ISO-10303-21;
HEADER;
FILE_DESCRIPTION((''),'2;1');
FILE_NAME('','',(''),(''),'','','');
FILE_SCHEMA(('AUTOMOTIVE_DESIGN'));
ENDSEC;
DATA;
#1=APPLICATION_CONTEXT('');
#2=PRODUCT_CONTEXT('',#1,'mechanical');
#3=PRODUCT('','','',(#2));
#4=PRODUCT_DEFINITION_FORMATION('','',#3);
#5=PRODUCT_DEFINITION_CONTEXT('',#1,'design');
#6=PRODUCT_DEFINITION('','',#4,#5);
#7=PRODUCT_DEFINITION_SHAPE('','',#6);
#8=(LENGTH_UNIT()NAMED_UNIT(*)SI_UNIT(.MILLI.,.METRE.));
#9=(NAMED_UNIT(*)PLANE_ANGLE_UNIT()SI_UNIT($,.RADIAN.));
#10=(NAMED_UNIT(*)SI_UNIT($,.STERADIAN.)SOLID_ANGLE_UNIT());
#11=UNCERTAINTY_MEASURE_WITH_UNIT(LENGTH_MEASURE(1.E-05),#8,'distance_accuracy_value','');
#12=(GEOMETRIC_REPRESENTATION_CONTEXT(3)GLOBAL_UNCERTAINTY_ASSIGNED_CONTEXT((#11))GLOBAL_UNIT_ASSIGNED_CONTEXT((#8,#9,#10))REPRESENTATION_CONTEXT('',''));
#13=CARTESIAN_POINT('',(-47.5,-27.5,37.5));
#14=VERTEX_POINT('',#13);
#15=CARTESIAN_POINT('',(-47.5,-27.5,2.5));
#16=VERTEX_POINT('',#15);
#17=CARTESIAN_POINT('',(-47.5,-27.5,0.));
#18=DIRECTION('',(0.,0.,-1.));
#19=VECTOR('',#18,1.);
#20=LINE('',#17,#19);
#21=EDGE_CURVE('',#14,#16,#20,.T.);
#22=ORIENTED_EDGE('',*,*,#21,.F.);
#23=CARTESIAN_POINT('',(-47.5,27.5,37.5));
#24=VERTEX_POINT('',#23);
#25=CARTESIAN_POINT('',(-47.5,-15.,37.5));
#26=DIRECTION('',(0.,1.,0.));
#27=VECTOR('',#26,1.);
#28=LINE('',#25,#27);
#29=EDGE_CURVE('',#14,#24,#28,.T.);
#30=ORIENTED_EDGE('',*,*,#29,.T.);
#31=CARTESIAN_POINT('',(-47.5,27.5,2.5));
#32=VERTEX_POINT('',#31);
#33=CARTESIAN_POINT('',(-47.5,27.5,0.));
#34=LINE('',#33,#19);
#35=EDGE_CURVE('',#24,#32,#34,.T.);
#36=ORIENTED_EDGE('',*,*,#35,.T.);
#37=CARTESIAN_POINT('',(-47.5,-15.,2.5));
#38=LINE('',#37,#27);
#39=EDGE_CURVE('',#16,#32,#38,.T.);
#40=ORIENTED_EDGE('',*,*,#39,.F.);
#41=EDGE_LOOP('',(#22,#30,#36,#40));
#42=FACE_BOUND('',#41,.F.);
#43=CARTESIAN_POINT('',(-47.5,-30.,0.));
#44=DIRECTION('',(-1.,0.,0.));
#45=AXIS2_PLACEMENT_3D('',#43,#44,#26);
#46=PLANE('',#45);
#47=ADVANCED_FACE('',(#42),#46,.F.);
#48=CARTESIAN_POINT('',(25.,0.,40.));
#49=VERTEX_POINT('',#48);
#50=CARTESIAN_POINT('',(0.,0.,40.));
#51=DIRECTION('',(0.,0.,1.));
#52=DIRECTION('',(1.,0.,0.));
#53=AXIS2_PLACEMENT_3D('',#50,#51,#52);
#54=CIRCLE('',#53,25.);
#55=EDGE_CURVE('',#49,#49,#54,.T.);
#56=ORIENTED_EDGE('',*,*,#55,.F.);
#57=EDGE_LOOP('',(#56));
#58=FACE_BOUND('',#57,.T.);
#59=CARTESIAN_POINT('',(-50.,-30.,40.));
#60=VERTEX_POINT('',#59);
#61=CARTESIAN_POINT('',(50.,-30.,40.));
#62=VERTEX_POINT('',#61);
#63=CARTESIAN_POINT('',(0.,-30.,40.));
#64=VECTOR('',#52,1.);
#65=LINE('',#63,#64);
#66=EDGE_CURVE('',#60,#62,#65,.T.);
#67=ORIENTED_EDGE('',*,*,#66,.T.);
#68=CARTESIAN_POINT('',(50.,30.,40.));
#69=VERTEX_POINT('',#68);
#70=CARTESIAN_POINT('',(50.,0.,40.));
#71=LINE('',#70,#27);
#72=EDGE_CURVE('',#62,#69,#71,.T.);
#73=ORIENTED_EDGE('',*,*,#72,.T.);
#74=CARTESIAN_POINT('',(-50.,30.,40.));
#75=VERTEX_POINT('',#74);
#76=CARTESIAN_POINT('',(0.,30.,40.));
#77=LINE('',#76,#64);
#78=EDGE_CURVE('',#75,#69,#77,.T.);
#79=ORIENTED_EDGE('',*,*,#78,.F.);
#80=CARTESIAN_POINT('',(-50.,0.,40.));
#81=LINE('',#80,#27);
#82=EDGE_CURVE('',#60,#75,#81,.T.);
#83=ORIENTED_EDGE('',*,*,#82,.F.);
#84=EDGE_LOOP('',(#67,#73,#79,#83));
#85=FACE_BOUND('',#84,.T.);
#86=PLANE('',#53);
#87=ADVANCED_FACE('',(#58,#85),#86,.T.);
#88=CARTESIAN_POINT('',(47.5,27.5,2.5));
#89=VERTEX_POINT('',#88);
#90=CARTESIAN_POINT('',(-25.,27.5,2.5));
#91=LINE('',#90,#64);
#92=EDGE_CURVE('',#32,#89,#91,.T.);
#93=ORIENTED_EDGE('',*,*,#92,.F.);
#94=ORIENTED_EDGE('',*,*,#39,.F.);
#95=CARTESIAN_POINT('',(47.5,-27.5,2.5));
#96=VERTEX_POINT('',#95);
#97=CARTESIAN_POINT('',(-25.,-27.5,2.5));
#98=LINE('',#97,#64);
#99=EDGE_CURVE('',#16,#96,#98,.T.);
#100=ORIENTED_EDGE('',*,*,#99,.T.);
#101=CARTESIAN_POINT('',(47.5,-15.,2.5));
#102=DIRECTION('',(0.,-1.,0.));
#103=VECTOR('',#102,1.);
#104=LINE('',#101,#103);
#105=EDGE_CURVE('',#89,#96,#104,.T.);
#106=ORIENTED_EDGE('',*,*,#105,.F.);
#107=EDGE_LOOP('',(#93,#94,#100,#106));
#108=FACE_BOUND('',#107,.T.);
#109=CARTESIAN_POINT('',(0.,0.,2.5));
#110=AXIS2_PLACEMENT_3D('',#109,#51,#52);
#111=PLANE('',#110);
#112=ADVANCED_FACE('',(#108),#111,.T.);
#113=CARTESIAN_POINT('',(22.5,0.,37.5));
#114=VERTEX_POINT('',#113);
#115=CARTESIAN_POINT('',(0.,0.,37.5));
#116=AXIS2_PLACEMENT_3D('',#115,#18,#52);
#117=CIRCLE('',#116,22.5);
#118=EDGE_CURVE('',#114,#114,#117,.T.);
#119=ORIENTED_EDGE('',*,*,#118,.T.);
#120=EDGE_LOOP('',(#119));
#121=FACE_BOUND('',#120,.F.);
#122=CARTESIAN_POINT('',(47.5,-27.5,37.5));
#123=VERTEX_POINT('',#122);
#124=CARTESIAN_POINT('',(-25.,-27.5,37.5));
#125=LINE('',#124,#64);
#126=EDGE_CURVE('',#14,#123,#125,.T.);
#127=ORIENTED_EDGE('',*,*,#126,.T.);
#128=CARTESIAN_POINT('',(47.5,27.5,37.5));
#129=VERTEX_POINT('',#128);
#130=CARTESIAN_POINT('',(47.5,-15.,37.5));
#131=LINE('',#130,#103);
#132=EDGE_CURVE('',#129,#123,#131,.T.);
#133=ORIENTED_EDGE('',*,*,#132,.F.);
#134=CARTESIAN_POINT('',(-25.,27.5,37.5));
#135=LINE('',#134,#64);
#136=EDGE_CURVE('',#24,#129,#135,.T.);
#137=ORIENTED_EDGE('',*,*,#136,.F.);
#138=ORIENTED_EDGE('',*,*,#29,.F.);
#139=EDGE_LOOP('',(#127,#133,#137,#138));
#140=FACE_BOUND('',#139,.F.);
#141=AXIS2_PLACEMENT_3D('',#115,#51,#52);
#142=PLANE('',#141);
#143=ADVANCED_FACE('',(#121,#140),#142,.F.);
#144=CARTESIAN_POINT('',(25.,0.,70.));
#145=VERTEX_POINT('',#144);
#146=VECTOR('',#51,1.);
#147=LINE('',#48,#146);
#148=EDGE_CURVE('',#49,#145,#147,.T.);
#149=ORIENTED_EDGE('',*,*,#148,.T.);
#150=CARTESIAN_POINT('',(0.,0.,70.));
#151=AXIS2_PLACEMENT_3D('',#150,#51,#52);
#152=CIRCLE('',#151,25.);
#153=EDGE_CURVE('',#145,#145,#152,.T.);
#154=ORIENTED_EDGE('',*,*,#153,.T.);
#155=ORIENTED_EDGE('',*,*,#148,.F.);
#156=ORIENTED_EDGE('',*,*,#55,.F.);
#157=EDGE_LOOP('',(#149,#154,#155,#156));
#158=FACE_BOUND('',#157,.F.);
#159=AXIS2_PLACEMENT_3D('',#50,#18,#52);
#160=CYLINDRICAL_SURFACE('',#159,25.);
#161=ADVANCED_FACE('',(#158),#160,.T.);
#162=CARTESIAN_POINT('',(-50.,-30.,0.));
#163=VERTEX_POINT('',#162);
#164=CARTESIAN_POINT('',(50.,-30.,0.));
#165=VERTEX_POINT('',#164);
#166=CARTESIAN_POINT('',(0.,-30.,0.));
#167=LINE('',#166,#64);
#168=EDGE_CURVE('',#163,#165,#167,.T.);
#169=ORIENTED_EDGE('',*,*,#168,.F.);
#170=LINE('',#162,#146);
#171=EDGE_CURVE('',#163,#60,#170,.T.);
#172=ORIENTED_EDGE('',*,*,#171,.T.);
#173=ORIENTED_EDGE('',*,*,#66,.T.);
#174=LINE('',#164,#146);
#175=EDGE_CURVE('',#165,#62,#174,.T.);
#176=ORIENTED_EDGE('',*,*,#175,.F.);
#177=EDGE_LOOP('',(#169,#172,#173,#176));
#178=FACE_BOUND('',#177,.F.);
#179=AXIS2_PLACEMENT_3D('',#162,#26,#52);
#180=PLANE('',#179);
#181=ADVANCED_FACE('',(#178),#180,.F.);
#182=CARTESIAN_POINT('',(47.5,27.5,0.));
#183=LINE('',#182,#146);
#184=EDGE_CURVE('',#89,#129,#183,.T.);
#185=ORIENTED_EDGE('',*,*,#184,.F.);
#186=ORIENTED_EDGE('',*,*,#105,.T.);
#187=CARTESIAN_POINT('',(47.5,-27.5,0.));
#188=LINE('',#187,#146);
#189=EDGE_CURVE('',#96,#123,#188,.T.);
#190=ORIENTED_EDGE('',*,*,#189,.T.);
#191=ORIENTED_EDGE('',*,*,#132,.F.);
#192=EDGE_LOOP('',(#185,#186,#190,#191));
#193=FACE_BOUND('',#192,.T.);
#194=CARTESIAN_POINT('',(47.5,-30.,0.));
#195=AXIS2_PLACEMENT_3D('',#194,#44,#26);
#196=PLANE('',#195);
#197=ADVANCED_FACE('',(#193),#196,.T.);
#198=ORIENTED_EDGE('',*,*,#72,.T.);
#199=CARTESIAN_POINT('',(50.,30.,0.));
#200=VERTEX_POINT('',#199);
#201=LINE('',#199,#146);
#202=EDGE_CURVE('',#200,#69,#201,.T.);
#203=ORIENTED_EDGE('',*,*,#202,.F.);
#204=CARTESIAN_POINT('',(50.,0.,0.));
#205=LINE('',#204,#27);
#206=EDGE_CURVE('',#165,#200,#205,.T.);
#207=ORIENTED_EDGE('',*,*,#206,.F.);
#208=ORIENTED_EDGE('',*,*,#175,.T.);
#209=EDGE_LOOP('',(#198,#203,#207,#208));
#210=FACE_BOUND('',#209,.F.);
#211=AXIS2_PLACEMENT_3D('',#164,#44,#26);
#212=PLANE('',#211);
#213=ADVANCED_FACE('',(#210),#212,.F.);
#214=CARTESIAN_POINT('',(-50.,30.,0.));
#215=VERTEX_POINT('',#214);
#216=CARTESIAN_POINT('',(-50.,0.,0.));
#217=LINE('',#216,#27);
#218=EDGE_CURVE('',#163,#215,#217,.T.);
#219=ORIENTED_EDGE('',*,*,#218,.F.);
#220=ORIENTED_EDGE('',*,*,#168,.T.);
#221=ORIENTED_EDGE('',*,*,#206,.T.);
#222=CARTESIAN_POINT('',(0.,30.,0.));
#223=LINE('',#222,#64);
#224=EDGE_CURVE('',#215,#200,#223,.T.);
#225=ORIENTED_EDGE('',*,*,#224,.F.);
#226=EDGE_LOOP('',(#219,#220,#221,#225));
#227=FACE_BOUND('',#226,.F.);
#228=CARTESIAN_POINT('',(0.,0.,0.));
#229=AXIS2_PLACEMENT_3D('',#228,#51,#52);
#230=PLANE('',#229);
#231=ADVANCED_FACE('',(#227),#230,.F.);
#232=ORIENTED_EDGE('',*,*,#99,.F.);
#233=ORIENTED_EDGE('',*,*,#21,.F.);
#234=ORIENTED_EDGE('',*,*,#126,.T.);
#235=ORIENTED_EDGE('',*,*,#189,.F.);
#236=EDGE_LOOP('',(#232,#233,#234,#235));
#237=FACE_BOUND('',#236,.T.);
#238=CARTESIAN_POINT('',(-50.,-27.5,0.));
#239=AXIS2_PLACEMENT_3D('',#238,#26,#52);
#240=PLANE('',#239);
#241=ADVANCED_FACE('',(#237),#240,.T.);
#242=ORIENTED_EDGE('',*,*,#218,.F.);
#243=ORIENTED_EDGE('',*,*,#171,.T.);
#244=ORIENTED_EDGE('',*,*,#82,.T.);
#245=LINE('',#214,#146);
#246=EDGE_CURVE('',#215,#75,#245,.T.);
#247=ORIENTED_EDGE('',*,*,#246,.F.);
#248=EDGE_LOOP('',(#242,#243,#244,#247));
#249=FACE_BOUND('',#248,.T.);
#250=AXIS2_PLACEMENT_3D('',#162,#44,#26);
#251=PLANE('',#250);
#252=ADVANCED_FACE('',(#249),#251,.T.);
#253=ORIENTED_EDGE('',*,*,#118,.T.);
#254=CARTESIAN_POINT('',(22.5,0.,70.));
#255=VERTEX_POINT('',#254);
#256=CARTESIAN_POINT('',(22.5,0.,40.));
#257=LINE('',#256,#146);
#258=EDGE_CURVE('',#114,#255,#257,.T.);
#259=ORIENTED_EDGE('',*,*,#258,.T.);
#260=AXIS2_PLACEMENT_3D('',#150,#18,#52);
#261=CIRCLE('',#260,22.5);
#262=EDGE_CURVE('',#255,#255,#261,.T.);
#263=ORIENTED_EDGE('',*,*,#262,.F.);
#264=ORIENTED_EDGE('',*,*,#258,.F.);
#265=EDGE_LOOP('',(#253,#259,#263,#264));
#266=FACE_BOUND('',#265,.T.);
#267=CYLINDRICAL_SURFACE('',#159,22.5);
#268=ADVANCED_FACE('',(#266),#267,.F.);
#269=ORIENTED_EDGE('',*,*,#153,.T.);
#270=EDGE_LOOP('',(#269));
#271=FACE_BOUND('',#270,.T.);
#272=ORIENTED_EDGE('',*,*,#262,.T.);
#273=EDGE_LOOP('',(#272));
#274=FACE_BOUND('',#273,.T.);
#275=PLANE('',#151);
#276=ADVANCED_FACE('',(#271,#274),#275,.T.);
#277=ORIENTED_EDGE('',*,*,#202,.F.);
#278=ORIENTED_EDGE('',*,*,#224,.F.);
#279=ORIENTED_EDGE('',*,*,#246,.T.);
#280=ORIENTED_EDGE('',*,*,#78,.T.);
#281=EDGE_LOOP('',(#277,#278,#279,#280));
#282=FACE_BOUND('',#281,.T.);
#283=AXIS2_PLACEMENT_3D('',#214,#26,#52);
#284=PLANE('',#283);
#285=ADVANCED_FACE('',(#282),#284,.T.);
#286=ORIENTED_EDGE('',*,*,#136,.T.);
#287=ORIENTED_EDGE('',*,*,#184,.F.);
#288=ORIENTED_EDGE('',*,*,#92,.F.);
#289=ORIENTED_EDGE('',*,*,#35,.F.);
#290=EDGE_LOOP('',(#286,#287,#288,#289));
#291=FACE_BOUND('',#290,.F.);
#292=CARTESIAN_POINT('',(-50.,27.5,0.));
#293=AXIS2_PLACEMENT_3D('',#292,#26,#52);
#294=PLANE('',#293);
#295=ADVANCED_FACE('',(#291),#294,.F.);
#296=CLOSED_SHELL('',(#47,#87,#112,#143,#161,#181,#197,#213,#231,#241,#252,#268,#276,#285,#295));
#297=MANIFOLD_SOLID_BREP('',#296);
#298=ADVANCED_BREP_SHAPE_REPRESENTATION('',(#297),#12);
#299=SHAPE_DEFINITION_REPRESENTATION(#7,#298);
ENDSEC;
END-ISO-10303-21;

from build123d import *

# Parameters (mm, degrees)
F0_W     = 100
F0_H     = 60
F1_DEPTH = 40
F2_R     = 25
F3_DEPTH = 30
F4_T     = -2.5


with BuildPart() as f1:
    # F0 (on Top) → F1 (new body)
    with BuildSketch(Plane.XY):
        Rectangle(F0_W, F0_H)
    extrude(amount=F1_DEPTH)

    # F2 (on face) → F3 (join)
    with BuildSketch(Plane.XY.offset(40)):
        Circle(F2_R)
    extrude(amount=F3_DEPTH)

    # F4
    f4_openings = [f1.faces().sort_by_distance(p)[0] for p in [
        (0, 0, 70),
    ]]
    offset(amount=F4_T, openings=f4_openings, kind=Kind.INTERSECTION)


solid = f1.part
